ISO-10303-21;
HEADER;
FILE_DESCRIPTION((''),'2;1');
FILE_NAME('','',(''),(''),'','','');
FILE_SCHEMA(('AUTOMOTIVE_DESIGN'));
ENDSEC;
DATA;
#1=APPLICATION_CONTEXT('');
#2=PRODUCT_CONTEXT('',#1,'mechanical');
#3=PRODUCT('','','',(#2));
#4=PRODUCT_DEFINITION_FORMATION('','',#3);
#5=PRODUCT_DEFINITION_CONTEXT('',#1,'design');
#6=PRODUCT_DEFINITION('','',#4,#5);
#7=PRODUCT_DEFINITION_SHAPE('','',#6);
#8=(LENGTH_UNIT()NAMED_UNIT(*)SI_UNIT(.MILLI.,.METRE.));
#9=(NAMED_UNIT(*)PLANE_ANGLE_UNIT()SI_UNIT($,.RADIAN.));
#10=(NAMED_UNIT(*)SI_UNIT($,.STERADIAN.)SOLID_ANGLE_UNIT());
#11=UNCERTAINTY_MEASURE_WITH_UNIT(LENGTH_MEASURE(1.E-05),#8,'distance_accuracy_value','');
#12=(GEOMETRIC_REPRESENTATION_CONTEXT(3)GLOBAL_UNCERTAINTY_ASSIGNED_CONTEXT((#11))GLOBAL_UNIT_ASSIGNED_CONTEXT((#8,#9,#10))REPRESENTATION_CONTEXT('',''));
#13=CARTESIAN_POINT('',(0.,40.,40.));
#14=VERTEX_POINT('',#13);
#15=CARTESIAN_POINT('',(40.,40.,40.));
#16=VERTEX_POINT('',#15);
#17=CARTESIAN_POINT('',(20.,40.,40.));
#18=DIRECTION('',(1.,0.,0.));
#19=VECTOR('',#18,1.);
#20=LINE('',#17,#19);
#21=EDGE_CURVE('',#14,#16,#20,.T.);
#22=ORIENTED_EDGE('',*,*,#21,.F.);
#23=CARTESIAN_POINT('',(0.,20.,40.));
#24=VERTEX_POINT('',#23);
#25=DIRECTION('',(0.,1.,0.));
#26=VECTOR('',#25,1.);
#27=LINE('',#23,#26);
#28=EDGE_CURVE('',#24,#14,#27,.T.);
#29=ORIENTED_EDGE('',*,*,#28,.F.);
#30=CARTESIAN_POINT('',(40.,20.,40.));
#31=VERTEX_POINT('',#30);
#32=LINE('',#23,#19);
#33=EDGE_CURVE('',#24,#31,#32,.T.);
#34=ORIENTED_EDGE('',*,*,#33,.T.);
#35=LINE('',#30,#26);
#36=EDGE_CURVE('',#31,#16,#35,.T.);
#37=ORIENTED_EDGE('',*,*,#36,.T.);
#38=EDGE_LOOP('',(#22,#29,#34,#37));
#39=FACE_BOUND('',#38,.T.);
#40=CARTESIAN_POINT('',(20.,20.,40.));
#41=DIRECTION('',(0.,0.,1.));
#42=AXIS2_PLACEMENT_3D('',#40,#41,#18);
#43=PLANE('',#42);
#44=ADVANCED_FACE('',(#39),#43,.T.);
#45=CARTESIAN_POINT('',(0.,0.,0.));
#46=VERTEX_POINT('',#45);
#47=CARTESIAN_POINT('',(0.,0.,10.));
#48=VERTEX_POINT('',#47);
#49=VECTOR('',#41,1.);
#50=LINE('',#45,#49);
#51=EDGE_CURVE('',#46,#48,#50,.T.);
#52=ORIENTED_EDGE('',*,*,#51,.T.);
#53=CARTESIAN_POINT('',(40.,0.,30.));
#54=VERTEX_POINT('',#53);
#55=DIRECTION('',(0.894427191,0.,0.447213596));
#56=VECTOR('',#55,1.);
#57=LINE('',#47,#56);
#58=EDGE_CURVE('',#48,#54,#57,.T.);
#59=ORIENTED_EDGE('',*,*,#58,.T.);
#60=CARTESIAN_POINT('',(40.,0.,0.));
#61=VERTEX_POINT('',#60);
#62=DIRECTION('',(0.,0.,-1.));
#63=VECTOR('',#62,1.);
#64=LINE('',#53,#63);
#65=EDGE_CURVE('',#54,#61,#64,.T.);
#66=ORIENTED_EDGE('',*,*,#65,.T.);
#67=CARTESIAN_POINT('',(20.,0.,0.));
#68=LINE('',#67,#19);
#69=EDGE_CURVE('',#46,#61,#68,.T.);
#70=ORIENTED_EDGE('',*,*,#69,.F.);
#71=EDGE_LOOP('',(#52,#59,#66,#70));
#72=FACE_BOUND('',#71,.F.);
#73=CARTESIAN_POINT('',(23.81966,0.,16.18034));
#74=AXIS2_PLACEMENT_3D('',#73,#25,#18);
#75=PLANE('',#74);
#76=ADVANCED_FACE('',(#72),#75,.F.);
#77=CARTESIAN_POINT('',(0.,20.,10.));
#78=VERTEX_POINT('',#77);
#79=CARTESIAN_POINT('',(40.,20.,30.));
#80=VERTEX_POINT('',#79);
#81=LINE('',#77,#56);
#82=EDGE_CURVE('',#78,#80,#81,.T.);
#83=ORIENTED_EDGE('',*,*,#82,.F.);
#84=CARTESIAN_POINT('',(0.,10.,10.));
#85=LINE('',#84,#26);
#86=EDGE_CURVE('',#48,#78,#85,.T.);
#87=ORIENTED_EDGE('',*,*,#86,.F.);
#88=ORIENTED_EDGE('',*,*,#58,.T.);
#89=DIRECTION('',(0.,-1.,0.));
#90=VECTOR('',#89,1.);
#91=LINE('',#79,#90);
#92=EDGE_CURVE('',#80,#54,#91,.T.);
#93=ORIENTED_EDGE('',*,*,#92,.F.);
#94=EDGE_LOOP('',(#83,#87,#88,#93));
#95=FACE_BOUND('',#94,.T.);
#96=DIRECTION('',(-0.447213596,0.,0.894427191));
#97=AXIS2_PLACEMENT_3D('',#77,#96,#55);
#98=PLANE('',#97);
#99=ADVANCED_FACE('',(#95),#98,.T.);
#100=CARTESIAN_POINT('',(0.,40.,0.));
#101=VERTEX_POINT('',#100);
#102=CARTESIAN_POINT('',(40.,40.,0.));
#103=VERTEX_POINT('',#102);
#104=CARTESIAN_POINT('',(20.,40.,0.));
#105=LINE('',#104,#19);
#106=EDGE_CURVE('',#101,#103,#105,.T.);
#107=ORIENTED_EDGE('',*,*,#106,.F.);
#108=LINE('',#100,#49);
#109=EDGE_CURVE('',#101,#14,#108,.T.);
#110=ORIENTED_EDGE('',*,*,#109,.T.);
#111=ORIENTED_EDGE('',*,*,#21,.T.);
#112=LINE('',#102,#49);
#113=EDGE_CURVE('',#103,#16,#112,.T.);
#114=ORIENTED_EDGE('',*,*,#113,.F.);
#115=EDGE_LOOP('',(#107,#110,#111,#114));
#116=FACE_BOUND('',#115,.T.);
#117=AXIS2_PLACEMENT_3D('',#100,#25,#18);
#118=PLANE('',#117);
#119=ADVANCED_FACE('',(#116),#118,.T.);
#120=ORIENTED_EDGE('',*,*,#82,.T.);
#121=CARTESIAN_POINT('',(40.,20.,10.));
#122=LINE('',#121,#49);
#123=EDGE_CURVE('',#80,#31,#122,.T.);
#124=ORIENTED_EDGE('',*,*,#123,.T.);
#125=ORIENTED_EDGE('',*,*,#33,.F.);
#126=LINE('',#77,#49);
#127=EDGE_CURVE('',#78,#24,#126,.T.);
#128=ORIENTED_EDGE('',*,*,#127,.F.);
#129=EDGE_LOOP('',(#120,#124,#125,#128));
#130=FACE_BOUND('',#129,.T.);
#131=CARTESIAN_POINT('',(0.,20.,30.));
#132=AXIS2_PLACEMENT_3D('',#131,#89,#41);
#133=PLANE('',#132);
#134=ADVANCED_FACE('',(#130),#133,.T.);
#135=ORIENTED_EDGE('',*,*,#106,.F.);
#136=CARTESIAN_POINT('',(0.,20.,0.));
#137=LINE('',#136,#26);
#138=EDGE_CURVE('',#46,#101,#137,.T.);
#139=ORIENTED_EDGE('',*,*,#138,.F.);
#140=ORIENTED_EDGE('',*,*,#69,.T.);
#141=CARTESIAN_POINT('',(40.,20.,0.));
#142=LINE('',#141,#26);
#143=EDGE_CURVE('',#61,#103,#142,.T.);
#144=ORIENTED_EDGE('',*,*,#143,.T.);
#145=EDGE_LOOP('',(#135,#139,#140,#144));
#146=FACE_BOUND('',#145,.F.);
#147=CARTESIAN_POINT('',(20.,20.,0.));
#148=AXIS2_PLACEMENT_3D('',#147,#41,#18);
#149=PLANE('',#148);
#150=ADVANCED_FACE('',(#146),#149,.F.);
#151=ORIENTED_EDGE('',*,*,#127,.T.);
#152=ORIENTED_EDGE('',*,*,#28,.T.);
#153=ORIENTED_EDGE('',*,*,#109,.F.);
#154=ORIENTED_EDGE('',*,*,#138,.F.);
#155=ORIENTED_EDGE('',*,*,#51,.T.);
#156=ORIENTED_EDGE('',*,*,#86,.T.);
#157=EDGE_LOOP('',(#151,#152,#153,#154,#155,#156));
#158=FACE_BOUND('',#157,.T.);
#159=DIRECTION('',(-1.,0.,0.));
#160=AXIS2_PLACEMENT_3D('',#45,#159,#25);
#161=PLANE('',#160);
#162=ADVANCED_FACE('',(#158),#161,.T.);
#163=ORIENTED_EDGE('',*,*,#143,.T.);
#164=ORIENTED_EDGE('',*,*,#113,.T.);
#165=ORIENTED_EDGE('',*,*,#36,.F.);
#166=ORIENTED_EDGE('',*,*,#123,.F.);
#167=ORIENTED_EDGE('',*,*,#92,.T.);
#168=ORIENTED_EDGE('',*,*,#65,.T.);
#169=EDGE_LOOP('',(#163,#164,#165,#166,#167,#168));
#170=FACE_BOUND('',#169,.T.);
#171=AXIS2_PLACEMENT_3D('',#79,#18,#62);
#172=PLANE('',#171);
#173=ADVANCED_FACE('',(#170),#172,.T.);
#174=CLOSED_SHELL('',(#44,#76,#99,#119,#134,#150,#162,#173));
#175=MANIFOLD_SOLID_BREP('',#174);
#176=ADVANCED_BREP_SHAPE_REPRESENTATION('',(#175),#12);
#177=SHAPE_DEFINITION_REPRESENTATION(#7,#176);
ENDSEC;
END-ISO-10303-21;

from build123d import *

# Parameters (mm, degrees)
SKETCH1_W           = 40
SKETCH1_H           = 40
BOSS_EXTRUDE1_DEPTH = 40
SKETCH2_W           = 10
SKETCH2_H           = 20
CUT_EXTRUDE1_DEPTH  = 40
SKETCH3_W           = 20
SKETCH3_H           = 20
CUT_EXTRUDE3_DEPTH  = 47
BOSS_EXTRUDE5_DEPTH = 20


with BuildPart() as part:
    # Sketch1 → Boss-Extrude1 (new body)
    with BuildSketch(Plane.XY):
        with Locations((20, 20)):
            Rectangle(SKETCH1_W, SKETCH1_H)
    extrude(amount=BOSS_EXTRUDE1_DEPTH)

    # Sketch2 → Cut-Extrude1 (cut)
    with BuildSketch(Plane.ZY):
        with Locations((35, 10)):
            Rectangle(SKETCH2_W, SKETCH2_H)
    extrude(amount=-CUT_EXTRUDE1_DEPTH, mode=Mode.SUBTRACT)

    # Sketch3 → Cut-Extrude3 (cut)
    with BuildSketch(Plane.ZY):
        with Locations((20, 10)):
            Rectangle(SKETCH3_W, SKETCH3_H)
    extrude(amount=-CUT_EXTRUDE3_DEPTH, mode=Mode.SUBTRACT)

    # Sketch10 → Boss-Extrude5 (add)
    with BuildSketch(Plane(origin=(0, 20, 0), x_dir=(1, 0, 0), z_dir=(0, 1, 0))):
        Polygon((40, -30), (40, -10), (0, -10), align=None)
    extrude(amount=-BOSS_EXTRUDE5_DEPTH)


solid = part.part
